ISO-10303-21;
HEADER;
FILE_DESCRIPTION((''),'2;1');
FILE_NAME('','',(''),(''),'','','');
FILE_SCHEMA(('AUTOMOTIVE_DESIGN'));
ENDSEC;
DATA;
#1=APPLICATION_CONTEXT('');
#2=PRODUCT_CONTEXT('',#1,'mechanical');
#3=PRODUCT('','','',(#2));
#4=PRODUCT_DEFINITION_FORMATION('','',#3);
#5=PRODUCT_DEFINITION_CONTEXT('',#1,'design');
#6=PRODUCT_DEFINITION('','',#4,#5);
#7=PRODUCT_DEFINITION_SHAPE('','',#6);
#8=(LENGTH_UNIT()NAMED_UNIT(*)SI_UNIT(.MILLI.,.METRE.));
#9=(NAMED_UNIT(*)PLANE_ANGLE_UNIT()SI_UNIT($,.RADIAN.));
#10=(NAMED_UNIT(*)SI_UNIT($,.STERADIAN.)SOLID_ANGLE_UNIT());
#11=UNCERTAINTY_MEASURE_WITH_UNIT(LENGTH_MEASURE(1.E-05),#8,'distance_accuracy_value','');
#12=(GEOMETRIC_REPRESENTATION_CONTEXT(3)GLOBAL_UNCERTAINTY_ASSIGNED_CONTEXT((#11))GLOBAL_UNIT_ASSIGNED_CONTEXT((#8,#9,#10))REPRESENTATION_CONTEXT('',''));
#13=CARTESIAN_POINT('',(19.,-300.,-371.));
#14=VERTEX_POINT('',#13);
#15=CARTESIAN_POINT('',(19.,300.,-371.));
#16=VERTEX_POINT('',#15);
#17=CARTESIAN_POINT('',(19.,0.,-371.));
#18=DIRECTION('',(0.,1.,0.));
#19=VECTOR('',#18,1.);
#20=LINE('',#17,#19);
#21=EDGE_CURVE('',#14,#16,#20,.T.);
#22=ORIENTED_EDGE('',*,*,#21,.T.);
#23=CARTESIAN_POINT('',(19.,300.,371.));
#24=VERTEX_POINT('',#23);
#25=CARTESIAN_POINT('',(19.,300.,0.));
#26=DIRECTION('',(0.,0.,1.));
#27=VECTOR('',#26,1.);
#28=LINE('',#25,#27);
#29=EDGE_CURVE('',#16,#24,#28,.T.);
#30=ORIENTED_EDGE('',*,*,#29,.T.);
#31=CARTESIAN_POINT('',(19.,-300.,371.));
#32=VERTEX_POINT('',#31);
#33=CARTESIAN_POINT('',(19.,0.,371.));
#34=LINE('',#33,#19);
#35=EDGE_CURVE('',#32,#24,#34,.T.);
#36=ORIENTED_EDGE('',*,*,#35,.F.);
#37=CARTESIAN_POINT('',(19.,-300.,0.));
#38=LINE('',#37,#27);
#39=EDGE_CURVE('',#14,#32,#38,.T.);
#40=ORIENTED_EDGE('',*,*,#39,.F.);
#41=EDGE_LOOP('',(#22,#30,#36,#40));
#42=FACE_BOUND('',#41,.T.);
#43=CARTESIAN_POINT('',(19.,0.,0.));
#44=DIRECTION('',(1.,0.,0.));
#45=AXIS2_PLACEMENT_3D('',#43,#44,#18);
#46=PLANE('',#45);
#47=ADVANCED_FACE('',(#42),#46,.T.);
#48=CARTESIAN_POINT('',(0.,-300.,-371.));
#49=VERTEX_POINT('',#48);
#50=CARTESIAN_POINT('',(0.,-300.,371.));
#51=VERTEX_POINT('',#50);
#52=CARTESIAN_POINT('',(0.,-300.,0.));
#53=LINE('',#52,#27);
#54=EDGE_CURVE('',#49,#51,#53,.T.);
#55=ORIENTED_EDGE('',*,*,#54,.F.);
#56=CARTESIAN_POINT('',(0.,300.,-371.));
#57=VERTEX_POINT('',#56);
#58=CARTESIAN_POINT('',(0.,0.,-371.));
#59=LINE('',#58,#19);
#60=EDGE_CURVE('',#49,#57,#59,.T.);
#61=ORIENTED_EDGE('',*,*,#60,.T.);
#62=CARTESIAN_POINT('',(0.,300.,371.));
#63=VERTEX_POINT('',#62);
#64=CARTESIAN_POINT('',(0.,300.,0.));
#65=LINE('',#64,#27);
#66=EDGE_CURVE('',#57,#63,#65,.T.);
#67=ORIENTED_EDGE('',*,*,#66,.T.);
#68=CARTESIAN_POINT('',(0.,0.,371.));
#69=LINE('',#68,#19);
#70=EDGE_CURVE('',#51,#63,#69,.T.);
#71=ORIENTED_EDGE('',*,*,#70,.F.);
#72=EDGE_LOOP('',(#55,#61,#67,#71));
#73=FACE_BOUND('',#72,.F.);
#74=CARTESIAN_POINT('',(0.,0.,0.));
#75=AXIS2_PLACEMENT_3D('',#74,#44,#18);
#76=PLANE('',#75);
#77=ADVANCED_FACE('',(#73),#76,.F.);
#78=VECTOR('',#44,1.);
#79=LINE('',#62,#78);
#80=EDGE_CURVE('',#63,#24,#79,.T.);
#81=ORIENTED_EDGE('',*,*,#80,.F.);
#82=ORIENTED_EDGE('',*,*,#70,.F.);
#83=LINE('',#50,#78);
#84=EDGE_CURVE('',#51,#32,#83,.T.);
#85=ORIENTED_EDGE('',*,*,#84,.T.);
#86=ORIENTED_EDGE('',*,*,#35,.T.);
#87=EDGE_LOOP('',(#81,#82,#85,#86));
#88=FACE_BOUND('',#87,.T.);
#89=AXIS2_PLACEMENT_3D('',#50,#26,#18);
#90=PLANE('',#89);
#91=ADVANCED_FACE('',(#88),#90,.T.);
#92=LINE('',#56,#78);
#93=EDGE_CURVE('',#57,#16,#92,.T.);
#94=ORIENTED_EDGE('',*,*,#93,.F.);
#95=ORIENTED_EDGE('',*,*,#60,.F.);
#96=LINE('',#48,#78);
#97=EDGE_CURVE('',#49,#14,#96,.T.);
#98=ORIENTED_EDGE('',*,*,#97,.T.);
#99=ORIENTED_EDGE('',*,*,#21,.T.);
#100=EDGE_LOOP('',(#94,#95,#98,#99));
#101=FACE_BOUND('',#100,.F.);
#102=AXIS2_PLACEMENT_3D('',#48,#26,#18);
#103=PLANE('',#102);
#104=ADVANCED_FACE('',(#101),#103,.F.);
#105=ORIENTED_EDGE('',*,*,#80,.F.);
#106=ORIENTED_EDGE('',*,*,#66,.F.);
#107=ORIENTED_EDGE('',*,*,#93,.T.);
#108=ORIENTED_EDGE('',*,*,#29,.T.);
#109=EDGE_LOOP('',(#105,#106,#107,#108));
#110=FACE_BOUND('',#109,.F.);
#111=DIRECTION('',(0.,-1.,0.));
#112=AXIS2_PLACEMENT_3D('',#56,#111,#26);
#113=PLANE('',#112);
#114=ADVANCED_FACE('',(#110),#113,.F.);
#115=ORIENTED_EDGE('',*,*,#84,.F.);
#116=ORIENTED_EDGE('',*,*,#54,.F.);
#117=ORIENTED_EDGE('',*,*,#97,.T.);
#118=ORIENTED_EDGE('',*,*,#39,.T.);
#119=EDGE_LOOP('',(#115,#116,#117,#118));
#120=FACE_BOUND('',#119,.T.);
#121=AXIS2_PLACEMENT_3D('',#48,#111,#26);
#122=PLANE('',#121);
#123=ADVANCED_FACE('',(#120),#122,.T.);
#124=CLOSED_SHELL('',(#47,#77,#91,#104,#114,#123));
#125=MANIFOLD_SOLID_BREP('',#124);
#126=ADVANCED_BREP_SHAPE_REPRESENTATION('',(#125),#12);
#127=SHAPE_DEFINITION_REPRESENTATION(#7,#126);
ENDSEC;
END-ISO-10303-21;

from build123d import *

# Parameters (mm, degrees)
SKETCH002_W  = 600
SKETCH002_H  = 742
PAD002_DEPTH = 19


with BuildPart() as part:
    # Sketch002 → Pad002 (new body)
    with BuildSketch(Plane.YZ):
        Rectangle(SKETCH002_W, SKETCH002_H)
    extrude(amount=PAD002_DEPTH)


solid = part.part
